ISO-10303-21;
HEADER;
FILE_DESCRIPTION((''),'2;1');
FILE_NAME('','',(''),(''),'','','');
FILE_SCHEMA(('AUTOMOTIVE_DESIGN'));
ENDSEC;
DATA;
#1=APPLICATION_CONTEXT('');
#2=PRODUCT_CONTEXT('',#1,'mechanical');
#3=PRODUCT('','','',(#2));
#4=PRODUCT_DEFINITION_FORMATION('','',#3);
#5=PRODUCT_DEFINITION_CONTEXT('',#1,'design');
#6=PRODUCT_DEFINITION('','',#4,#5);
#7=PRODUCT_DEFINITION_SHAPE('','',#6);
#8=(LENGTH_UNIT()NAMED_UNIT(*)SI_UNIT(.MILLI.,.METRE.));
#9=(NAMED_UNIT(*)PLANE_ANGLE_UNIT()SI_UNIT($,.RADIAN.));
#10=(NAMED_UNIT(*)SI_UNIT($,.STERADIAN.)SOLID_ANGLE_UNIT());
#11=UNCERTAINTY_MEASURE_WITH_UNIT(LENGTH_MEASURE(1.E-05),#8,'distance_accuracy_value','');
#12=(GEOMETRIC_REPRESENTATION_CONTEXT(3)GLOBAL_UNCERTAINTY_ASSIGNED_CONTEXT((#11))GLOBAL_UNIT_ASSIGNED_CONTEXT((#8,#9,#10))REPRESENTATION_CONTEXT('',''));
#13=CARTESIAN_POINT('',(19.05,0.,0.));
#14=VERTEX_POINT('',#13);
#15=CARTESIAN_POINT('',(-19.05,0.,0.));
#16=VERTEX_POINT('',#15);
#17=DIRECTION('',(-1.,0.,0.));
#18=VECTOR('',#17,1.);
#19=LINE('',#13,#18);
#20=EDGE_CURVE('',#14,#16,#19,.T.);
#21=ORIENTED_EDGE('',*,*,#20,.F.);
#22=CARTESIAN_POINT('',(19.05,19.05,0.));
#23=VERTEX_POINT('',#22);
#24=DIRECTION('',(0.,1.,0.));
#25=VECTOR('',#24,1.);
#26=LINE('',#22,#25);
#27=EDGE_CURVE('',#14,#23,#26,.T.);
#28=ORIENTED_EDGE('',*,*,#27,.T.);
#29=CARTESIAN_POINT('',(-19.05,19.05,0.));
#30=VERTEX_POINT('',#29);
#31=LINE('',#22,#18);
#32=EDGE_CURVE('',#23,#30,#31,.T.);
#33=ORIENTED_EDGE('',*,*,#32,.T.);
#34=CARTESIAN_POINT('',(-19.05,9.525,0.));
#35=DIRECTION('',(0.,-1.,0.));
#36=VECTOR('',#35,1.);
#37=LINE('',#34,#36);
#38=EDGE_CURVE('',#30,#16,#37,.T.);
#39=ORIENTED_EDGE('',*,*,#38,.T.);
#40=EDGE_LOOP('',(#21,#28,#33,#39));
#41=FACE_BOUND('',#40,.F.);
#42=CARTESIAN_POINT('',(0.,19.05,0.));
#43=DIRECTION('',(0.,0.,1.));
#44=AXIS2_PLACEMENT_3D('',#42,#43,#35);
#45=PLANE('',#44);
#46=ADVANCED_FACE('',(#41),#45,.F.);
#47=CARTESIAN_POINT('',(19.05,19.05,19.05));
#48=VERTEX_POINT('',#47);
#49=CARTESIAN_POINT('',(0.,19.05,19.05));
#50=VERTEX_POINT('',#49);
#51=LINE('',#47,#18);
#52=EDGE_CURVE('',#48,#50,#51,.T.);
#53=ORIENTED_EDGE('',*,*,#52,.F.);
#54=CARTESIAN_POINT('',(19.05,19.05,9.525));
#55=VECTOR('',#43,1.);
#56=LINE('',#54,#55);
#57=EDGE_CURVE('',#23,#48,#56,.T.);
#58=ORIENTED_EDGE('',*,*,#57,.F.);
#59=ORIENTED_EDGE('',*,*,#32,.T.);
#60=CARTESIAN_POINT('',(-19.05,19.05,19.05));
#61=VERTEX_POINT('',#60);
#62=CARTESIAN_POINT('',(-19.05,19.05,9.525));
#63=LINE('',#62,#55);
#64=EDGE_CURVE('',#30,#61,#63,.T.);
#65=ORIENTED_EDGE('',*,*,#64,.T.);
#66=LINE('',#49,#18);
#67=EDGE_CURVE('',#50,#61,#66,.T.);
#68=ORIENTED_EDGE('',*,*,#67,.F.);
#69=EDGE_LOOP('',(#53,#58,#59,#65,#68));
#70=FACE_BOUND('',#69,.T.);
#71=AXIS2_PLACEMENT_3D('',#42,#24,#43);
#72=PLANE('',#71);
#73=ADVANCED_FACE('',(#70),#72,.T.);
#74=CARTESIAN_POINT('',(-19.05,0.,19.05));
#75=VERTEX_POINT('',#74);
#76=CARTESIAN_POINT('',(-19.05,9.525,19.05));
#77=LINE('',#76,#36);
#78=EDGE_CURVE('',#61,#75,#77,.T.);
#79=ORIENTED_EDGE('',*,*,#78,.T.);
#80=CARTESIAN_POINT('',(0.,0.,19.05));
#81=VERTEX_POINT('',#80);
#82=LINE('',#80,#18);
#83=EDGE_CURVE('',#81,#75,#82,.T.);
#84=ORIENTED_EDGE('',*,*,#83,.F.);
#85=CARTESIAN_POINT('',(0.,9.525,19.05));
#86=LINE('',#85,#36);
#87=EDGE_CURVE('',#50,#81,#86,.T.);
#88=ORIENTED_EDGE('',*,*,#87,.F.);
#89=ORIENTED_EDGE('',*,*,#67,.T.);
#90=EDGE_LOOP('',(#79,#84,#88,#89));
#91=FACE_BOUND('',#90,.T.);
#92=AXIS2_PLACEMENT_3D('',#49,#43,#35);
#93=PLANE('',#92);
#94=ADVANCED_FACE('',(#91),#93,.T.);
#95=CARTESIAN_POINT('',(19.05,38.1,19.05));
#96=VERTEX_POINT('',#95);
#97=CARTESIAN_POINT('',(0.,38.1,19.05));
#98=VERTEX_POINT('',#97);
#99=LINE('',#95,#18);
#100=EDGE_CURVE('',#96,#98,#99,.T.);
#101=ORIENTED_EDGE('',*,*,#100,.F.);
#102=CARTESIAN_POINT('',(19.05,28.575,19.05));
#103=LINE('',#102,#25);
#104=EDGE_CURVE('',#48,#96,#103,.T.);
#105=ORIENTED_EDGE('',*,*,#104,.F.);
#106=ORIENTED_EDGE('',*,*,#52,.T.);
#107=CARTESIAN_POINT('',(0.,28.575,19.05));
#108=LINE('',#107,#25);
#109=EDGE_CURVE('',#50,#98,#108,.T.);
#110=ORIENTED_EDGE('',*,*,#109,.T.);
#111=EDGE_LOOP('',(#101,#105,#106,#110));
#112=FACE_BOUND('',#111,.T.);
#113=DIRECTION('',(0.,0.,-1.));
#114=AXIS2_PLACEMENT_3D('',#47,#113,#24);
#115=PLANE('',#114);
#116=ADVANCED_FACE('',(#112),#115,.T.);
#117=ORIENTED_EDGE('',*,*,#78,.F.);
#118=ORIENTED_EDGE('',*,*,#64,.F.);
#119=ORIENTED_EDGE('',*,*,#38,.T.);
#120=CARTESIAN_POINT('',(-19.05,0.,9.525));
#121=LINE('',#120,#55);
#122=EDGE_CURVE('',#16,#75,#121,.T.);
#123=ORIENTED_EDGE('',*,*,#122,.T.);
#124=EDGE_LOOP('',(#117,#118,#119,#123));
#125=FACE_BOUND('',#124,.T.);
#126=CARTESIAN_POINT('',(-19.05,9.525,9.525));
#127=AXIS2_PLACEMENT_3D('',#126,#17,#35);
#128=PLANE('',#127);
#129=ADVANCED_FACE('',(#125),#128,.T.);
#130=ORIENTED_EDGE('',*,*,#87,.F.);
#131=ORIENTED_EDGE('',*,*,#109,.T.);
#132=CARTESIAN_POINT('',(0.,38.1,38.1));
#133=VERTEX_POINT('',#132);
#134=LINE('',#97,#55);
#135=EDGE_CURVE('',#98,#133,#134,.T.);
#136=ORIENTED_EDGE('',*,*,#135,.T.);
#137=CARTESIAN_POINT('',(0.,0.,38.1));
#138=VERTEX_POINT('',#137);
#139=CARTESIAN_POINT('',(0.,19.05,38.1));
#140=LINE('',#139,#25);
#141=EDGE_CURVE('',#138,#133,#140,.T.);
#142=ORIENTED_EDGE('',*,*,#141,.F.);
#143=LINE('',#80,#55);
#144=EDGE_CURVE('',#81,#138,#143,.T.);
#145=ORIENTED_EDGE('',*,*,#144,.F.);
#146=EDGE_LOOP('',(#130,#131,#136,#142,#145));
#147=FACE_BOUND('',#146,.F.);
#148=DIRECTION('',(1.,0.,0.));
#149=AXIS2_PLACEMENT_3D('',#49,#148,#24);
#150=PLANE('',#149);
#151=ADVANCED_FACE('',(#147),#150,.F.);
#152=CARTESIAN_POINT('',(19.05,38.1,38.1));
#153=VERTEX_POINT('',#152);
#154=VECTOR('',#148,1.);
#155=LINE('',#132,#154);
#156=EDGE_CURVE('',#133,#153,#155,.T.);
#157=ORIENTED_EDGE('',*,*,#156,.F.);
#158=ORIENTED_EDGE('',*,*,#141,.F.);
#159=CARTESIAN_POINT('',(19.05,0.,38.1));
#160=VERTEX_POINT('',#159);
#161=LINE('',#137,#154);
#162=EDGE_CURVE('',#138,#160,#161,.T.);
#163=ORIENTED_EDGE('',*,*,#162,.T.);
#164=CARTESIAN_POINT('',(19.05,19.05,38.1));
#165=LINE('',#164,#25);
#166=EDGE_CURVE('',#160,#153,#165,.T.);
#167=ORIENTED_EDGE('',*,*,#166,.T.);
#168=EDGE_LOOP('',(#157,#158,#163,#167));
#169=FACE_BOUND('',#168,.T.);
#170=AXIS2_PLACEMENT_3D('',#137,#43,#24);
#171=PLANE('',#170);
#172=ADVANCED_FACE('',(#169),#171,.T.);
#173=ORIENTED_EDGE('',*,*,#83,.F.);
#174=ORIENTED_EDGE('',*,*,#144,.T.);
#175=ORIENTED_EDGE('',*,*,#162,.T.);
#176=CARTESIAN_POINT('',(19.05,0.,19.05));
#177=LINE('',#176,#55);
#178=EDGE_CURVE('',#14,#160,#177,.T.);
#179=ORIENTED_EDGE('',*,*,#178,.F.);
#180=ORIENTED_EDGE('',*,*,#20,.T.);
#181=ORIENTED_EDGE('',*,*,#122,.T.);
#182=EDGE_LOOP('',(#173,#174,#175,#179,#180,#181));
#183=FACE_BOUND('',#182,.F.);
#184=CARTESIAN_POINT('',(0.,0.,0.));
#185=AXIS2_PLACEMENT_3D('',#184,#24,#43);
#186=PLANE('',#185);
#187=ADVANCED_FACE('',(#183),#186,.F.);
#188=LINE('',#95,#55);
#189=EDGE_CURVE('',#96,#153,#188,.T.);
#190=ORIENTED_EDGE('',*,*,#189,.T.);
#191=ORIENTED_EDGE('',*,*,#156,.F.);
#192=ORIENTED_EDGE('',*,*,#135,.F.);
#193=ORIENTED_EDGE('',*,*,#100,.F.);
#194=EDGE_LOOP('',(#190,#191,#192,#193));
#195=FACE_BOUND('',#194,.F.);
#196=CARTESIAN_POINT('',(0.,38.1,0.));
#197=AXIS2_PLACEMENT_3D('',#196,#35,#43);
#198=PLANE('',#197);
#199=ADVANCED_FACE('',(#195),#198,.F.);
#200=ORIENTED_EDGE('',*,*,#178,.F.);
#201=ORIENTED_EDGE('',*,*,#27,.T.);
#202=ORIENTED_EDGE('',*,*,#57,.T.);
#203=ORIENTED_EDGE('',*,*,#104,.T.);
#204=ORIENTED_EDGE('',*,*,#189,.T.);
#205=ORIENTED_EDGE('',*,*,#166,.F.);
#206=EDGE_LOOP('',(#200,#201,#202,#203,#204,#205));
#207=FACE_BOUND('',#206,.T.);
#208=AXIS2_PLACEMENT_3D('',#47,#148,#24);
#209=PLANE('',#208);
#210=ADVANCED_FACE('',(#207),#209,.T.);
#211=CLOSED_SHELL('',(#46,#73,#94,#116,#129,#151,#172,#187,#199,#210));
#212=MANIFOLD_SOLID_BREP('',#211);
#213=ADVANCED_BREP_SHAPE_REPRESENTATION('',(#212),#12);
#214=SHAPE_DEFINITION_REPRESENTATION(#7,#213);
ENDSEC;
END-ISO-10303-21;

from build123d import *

# Parameters (mm, degrees)
F0_W     = 38.1
F0_H     = 38.1
F1_DEPTH = 19.05
F2_W     = 19.05
F2_H     = 19.05
F3_DEPTH = 19.05
F4_W     = 19.05
F4_H     = 19.05
F5_DEPTH = 19.05


with BuildPart() as f1:
    # F0 (on Right) → F1 (new body)
    with BuildSketch(Plane.YZ):
        with Locations((19.05, 19.05)):
            Rectangle(F0_W, F0_H)
    extrude(amount=F1_DEPTH)

    # F2 (on face) → F3 (cut)
    with BuildSketch(Plane.YZ.offset(19.05)):
        with Locations((28.575, 9.525)):
            Rectangle(F2_W, F2_H)
    extrude(amount=-F3_DEPTH, mode=Mode.SUBTRACT)

    # F4 (on face) → F5 (join)
    with BuildSketch(Plane(origin=(0, 0, 0), x_dir=(0, -1, 0), z_dir=(-1, 0, 0))):
        with Locations((-9.525, 9.525)):
            Rectangle(F4_W, F4_H)
    extrude(amount=F5_DEPTH)


solid = f1.part
